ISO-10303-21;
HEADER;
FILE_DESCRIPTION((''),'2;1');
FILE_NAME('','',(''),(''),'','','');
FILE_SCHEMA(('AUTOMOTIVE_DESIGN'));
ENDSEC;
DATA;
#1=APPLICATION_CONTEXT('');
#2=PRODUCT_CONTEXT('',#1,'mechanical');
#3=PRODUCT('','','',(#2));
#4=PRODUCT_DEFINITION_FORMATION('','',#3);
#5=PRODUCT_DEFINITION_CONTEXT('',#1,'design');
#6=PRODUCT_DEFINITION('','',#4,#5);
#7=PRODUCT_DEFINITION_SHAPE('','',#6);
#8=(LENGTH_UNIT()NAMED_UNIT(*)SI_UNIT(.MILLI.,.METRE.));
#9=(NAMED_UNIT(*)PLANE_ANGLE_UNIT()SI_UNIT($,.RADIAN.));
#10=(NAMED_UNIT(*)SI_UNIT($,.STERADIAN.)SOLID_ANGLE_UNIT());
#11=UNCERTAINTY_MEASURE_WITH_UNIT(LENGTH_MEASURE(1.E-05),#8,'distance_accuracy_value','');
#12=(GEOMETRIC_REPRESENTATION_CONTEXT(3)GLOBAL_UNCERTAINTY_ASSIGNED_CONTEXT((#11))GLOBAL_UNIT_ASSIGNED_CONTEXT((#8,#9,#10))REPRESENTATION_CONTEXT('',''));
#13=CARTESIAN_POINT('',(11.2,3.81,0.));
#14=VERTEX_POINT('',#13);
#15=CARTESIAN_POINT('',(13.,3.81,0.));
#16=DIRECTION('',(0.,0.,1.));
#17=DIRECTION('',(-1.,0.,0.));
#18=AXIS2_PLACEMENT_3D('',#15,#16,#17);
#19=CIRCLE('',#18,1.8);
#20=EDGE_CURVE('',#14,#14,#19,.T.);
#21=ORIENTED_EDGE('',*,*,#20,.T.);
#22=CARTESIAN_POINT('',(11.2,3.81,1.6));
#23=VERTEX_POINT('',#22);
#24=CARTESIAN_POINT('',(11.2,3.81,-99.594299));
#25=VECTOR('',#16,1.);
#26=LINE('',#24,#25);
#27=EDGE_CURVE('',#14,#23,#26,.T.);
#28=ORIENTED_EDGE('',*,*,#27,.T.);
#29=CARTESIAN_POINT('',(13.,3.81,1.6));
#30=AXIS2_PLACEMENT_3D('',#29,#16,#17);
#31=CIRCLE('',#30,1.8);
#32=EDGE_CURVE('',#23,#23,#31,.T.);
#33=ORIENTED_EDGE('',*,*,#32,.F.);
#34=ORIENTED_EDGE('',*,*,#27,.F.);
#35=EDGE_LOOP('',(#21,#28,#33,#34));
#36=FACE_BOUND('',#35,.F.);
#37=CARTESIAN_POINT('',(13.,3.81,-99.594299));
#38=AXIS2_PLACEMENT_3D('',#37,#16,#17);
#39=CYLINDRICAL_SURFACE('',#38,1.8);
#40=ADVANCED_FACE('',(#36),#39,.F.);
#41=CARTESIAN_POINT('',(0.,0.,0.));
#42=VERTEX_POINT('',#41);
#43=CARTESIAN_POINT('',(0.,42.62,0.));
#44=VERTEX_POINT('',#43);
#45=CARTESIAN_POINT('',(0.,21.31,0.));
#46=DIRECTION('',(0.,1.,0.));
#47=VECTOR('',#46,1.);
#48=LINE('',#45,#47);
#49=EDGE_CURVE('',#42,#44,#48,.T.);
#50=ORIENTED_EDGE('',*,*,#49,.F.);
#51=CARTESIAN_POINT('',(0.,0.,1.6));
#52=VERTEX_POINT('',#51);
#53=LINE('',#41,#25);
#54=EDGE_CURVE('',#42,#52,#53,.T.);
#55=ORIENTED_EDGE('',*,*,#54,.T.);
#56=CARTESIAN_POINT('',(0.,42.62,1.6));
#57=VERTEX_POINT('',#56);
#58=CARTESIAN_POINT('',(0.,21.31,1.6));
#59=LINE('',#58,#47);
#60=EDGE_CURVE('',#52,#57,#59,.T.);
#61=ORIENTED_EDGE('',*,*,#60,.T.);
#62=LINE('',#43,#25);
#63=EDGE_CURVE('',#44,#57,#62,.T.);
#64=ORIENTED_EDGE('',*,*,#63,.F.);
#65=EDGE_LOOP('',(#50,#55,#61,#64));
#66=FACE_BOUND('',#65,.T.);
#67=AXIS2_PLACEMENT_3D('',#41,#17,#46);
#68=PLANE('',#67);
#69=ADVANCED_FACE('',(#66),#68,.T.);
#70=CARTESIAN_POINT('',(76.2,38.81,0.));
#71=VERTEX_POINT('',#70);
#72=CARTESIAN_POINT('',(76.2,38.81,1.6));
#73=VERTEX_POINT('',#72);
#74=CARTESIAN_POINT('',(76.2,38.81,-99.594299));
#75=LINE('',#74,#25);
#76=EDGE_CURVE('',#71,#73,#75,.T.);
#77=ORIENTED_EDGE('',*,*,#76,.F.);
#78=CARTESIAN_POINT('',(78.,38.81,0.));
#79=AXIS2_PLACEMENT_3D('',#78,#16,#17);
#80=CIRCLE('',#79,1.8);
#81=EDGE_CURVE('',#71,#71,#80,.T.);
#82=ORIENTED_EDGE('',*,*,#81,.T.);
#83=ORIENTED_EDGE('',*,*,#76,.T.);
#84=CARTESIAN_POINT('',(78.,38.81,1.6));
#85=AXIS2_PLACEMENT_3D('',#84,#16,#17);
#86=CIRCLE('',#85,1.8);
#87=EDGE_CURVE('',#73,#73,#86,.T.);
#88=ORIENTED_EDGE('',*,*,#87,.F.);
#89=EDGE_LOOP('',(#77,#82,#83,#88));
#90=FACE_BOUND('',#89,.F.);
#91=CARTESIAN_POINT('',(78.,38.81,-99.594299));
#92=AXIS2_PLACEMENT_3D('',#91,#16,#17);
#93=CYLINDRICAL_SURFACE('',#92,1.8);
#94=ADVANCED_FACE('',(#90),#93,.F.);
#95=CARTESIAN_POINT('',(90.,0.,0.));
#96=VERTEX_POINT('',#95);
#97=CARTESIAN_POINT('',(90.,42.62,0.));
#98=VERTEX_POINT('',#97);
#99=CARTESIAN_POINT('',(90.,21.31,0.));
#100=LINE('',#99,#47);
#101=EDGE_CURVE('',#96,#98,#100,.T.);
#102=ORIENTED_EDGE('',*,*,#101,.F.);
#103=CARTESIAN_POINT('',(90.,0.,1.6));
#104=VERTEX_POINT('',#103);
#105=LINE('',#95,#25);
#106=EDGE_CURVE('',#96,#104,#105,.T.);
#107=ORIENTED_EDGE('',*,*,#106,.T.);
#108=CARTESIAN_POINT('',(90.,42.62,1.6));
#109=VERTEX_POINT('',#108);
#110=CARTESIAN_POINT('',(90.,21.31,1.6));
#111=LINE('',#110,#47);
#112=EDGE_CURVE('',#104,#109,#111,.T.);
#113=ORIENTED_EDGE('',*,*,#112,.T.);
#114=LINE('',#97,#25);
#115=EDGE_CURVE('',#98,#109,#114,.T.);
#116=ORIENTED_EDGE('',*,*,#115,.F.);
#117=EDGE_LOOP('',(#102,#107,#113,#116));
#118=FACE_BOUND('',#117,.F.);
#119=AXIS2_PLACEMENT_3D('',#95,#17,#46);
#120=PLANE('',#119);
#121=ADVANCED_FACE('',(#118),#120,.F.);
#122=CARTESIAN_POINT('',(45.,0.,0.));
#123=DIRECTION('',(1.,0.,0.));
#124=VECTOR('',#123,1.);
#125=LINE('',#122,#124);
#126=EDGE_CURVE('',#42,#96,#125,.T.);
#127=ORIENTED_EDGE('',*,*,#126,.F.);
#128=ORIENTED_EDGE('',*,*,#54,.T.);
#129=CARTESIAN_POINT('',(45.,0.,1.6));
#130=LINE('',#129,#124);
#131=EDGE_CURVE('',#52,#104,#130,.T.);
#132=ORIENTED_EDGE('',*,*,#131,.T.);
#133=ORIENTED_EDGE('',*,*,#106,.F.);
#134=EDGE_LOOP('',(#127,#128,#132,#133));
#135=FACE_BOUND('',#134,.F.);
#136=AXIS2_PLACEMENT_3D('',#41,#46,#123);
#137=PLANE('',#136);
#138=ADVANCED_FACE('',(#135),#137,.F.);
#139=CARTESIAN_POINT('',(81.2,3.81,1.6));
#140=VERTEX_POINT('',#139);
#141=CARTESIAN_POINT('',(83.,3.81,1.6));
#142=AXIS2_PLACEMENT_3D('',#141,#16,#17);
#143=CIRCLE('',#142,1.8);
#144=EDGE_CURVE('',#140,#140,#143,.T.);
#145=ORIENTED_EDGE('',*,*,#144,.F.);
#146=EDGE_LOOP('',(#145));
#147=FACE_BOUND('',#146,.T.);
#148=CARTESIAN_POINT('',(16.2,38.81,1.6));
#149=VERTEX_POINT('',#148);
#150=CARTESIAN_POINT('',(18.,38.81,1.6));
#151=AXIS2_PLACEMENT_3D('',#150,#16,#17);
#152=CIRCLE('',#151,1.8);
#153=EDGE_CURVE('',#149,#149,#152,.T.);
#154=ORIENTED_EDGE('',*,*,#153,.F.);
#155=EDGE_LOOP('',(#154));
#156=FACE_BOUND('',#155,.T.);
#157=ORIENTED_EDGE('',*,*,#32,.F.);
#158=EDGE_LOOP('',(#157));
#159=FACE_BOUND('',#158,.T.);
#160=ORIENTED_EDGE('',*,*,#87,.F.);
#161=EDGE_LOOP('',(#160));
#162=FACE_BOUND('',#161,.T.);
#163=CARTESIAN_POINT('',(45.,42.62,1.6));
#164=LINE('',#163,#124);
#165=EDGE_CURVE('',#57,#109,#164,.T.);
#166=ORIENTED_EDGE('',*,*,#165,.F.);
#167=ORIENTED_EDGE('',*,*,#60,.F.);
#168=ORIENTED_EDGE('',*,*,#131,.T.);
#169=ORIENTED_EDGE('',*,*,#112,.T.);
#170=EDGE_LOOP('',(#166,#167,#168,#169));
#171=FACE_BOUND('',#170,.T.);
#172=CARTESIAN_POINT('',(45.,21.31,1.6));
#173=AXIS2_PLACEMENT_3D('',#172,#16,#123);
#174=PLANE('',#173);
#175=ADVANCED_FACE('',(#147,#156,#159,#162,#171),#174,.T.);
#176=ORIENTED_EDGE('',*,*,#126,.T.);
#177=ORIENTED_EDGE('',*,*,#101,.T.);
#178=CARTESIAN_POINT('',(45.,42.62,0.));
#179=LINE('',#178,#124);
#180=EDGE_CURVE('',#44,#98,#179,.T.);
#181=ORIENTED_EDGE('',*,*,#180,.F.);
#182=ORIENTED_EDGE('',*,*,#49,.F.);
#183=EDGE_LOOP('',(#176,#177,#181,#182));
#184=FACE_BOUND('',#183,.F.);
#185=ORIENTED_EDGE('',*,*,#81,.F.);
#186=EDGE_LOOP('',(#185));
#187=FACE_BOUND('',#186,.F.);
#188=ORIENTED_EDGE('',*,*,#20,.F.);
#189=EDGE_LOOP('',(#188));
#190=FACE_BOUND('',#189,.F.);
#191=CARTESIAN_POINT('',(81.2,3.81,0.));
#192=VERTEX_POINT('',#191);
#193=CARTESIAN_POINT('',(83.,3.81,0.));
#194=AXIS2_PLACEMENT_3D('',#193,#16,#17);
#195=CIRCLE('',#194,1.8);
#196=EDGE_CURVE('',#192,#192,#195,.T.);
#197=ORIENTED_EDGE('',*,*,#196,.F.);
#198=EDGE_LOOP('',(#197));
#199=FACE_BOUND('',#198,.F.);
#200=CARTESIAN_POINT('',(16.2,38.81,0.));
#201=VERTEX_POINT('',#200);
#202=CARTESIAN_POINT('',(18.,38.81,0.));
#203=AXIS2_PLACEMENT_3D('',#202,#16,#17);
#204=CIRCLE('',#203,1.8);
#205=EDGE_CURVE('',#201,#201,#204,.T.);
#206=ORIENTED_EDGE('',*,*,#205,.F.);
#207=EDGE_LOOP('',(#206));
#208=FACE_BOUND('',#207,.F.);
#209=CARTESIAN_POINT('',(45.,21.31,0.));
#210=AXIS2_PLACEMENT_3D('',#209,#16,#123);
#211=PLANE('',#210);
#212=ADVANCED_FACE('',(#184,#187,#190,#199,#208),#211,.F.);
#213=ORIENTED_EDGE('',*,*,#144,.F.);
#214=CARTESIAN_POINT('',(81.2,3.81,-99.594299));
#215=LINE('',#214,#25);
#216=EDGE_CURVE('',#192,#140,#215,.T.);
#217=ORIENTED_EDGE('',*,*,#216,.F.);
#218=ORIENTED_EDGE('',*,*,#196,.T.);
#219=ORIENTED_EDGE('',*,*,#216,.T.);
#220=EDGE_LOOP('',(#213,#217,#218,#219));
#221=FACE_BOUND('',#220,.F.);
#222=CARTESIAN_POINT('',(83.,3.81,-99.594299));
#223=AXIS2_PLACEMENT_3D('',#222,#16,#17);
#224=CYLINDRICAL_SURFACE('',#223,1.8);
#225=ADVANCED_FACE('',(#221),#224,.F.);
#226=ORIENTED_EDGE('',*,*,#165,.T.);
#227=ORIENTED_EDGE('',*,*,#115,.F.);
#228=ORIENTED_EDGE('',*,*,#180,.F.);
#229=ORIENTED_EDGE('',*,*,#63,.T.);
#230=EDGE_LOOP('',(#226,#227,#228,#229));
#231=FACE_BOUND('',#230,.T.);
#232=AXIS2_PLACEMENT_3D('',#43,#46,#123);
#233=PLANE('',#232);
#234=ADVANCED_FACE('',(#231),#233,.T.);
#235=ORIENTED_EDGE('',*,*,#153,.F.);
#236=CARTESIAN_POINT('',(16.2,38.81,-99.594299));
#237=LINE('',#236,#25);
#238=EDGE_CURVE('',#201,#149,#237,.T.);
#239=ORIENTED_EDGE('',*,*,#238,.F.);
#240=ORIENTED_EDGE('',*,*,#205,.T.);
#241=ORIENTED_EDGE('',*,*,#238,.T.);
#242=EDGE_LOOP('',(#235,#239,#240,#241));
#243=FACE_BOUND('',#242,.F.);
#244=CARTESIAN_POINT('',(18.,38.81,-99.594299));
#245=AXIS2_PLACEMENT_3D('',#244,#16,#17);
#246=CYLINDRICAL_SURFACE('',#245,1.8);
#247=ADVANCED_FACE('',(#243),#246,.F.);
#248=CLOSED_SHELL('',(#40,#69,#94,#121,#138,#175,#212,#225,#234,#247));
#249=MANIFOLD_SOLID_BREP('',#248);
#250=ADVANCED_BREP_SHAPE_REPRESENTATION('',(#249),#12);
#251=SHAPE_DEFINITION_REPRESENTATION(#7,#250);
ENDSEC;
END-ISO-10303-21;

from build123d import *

# Parameters (mm, degrees)
F0_W     = 90
F0_H     = 42.62
F1_DEPTH = 1.6
F2_D     = 3.6


with BuildPart() as f1:
    # F0 (on Top) → F1 (new body)
    with BuildSketch(Plane.XY):
        with Locations((45, 21.31)):
            Rectangle(F0_W, F0_H)
    extrude(amount=F1_DEPTH)

    # F2 (through all)
    with Locations(Plane(origin=(0, 0, 0), x_dir=(1, 0, 0), z_dir=(0, 0, -1))):
        with Locations((18, -38.81), (13, -3.81), (78, -38.81), (83, -3.81)):
            Hole(F2_D / 2)


solid = f1.part
